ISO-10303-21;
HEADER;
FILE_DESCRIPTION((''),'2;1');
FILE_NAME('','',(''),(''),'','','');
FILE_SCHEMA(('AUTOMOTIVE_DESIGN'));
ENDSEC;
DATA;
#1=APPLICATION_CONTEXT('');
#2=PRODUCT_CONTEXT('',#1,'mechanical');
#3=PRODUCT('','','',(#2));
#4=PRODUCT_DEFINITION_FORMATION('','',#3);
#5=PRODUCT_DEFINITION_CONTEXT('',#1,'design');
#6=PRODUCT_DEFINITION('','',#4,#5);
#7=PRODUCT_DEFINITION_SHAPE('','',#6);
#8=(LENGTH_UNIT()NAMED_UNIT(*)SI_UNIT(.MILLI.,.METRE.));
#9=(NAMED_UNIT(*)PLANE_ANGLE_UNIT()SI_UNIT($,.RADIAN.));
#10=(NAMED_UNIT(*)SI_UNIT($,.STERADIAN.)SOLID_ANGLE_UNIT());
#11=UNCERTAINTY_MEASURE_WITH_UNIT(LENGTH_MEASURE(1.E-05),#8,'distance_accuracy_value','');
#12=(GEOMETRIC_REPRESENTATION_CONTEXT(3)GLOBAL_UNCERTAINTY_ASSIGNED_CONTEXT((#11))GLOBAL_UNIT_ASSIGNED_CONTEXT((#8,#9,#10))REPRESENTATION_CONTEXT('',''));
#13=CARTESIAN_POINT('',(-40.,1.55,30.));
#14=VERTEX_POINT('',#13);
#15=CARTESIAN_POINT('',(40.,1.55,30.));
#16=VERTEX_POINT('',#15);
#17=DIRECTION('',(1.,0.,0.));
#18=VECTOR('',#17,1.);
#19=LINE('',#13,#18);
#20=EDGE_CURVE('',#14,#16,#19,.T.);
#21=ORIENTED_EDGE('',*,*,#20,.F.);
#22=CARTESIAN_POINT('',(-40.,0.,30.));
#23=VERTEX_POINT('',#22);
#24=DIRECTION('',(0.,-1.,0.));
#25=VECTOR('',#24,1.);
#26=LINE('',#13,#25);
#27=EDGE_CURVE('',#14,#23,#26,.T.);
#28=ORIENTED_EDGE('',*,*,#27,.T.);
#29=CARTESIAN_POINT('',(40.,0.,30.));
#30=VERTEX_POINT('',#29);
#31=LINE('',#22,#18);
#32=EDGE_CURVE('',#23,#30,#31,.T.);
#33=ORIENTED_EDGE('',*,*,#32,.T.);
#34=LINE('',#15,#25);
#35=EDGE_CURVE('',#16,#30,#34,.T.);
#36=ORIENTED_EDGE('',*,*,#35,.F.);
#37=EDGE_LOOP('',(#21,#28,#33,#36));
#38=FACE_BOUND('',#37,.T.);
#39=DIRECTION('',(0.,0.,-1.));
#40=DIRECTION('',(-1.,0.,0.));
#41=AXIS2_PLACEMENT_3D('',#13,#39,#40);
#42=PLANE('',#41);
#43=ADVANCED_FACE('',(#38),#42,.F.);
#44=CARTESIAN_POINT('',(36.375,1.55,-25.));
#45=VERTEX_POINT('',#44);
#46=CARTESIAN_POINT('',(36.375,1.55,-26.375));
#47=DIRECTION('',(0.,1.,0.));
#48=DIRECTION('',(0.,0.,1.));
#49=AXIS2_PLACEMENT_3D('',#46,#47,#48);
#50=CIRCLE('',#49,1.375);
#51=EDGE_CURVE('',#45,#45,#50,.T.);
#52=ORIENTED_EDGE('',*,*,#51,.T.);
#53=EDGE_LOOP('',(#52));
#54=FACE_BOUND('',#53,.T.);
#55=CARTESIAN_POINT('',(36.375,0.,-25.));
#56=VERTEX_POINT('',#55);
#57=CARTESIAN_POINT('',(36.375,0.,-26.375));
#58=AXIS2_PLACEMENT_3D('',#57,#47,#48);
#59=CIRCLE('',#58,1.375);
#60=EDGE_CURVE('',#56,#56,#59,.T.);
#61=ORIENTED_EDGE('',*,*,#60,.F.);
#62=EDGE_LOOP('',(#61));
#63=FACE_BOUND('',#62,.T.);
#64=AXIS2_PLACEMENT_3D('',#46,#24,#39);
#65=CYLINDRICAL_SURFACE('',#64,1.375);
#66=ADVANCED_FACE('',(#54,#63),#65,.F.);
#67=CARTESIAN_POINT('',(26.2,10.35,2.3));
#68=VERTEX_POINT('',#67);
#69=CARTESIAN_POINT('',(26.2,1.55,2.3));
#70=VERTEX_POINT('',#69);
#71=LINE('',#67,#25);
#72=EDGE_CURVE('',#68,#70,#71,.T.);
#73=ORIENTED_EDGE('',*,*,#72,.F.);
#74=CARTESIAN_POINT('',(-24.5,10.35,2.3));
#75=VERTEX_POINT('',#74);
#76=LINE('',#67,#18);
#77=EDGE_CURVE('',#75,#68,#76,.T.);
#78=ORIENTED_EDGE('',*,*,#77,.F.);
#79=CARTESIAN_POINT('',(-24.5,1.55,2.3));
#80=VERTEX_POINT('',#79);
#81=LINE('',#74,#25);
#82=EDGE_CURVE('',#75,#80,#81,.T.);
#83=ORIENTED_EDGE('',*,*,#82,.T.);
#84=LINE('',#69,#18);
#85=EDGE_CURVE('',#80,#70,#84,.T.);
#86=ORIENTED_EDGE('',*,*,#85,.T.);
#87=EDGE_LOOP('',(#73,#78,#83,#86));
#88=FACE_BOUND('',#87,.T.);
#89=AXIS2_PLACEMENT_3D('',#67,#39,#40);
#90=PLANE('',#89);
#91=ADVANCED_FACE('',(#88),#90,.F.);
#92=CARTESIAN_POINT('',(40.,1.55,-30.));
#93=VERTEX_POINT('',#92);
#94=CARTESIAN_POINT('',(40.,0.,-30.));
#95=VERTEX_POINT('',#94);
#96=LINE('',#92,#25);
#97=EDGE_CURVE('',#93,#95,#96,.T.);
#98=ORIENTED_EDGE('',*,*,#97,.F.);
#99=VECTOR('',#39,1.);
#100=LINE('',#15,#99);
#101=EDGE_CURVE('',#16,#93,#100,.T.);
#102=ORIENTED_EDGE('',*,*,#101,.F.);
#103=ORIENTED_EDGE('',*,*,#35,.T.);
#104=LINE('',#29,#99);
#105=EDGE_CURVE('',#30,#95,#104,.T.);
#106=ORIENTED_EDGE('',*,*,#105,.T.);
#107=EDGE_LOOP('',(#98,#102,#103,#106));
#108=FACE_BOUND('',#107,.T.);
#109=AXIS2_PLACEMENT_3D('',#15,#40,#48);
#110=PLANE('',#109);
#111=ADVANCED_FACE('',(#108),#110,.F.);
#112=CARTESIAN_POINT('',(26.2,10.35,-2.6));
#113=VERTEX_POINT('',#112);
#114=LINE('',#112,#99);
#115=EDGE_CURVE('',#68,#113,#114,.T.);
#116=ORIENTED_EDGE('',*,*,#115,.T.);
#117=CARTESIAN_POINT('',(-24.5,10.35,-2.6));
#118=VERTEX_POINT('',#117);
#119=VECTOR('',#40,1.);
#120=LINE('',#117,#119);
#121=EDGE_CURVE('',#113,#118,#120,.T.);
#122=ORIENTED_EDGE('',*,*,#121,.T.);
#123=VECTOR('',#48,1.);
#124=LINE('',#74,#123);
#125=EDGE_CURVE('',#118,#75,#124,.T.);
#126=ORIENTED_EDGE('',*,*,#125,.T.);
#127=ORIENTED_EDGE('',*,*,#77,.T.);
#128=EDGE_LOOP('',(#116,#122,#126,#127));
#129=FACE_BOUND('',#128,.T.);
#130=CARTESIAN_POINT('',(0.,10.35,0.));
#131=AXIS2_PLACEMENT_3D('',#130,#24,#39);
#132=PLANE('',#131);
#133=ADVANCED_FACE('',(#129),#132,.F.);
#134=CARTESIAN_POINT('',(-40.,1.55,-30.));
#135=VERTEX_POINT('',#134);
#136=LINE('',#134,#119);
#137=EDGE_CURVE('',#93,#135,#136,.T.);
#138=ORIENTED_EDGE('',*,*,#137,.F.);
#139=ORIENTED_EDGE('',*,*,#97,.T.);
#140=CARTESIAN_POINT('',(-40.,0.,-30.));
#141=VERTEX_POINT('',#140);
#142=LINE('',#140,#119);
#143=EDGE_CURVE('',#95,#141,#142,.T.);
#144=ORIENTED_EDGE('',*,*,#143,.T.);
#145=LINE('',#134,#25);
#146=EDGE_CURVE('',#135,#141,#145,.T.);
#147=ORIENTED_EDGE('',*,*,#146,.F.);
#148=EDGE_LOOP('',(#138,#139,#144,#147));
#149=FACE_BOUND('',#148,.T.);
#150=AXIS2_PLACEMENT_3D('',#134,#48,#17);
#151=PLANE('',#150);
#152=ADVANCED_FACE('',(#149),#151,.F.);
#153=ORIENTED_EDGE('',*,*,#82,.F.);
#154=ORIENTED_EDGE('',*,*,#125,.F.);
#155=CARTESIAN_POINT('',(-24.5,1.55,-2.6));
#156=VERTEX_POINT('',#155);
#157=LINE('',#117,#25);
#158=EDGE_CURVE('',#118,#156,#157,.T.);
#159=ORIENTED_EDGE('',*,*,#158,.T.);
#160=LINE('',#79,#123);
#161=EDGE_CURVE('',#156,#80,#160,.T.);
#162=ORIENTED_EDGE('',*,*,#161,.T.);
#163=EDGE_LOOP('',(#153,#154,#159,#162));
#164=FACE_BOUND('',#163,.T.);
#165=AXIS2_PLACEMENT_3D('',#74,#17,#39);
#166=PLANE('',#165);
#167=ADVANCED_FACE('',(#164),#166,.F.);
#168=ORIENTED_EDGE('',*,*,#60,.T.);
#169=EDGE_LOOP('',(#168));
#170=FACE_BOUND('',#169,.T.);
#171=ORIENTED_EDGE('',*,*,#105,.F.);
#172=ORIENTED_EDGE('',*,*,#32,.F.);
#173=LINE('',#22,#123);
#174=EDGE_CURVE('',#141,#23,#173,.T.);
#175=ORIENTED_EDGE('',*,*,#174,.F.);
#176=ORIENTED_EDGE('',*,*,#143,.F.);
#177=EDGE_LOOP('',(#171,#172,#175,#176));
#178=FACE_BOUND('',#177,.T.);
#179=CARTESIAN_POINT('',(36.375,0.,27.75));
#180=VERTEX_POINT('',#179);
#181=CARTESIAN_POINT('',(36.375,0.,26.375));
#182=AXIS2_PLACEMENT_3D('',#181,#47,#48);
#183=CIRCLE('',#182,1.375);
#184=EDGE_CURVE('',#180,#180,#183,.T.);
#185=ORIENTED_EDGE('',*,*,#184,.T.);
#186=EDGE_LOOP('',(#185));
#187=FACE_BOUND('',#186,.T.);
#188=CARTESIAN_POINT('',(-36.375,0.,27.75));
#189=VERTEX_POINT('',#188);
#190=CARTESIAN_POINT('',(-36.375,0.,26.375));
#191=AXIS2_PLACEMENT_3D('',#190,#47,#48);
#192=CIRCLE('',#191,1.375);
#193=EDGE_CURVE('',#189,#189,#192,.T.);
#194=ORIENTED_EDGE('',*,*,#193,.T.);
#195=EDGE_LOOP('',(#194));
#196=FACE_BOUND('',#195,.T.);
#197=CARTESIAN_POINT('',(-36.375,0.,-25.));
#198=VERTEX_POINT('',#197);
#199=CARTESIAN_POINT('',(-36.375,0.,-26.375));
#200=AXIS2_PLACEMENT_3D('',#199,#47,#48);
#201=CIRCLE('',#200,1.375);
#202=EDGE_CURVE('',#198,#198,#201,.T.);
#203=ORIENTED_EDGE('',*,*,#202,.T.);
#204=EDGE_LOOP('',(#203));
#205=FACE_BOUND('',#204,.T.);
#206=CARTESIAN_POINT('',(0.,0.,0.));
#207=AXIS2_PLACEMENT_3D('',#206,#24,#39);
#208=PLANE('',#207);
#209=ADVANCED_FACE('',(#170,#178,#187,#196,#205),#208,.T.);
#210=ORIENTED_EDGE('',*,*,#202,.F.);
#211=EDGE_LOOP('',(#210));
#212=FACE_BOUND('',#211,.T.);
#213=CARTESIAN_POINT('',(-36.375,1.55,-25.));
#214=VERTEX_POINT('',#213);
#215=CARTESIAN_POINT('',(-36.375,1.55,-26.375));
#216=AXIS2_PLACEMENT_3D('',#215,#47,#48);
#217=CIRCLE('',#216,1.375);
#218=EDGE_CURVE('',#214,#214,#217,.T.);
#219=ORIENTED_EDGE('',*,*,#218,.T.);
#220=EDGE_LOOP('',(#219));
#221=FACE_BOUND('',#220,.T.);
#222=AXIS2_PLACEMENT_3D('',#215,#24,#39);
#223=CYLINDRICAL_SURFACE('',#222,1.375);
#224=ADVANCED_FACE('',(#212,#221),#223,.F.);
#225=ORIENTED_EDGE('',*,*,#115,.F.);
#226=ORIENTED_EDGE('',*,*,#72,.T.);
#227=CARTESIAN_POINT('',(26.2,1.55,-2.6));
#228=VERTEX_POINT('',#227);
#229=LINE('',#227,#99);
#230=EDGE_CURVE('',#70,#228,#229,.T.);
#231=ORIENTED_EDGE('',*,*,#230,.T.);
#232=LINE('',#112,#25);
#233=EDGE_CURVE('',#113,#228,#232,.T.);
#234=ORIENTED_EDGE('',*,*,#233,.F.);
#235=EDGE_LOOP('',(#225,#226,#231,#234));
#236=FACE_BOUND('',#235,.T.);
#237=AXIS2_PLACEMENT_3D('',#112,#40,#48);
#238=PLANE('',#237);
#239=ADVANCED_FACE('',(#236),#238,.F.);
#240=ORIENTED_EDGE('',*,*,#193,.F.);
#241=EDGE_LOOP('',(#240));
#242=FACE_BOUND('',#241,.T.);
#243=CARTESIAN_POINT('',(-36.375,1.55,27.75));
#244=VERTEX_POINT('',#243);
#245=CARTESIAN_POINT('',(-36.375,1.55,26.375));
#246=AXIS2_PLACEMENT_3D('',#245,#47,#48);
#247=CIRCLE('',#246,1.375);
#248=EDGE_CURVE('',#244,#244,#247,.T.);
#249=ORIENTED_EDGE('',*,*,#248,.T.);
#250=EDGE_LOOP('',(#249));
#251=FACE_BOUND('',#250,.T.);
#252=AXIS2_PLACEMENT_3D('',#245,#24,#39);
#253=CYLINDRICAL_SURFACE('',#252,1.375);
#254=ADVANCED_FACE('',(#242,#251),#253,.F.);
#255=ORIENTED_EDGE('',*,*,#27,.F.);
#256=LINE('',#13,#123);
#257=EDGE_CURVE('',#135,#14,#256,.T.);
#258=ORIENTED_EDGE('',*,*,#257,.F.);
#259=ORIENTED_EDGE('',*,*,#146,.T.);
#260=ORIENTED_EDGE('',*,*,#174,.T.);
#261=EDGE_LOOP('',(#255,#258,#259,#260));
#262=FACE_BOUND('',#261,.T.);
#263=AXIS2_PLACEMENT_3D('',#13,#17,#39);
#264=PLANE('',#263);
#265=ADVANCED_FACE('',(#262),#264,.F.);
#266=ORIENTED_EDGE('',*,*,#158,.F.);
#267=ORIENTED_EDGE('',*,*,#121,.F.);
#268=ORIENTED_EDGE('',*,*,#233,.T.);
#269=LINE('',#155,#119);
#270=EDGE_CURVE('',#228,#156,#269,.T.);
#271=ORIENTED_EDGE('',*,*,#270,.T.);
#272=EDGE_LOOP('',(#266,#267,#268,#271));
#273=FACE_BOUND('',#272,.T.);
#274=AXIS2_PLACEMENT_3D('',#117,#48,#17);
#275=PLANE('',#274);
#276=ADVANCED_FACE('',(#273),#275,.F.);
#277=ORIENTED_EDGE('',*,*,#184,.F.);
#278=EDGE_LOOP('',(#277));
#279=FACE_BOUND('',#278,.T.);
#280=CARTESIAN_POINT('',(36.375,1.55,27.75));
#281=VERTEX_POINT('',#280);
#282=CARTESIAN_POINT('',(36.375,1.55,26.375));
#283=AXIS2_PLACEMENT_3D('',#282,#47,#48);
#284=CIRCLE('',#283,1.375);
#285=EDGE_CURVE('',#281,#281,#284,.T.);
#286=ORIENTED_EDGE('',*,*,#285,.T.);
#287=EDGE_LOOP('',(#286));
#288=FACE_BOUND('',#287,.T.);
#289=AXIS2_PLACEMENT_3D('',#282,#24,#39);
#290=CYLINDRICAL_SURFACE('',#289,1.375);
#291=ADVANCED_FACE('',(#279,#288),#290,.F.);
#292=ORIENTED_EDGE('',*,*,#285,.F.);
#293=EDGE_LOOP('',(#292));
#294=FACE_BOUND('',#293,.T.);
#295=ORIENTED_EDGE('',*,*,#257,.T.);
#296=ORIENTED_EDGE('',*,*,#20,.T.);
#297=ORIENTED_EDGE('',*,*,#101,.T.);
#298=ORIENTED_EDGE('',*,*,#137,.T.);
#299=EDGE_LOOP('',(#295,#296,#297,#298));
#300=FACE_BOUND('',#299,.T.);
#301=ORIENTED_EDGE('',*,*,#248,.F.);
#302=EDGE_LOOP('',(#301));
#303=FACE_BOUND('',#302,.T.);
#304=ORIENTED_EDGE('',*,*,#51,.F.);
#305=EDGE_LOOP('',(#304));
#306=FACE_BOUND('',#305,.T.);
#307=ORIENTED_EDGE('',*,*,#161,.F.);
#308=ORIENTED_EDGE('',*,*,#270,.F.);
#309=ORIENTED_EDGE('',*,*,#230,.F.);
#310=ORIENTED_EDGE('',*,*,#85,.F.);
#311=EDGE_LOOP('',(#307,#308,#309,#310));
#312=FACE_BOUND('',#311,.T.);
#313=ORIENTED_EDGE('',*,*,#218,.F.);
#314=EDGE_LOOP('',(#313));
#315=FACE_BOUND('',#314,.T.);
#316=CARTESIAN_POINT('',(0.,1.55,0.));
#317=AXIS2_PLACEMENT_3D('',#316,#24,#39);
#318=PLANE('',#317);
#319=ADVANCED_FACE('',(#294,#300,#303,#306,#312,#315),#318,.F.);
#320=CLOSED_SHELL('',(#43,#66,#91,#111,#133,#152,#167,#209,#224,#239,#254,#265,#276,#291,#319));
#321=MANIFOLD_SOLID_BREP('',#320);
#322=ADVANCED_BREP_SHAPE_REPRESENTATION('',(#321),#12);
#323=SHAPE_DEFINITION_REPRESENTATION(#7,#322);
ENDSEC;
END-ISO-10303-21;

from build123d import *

# Parameters (mm, degrees)
SKETCH1_W           = 80
SKETCH1_H           = 60
SKETCH1_R           = 1.375
BOSS_EXTRUDE1_DEPTH = 1.55
SKETCH2_W           = 50.7
SKETCH2_H           = 4.9
BOSS_EXTRUDE2_DEPTH = 8.8


with BuildPart() as part:
    # Sketch1 → Boss-Extrude1 (new body)
    with BuildSketch(Plane(origin=(0, 0, 0), x_dir=(1, 0, 0), z_dir=(0, 1, 0))):
        Rectangle(SKETCH1_W, SKETCH1_H)
        with Locations((-36.375, 26.375)):
            Circle(SKETCH1_R, mode=Mode.SUBTRACT)
        with Locations((-36.375, -26.375)):
            Circle(SKETCH1_R, mode=Mode.SUBTRACT)
        with Locations((36.375, -26.375)):
            Circle(SKETCH1_R, mode=Mode.SUBTRACT)
        with Locations((36.375, 26.375)):
            Circle(SKETCH1_R, mode=Mode.SUBTRACT)
    extrude(amount=BOSS_EXTRUDE1_DEPTH)

    # Sketch2 → Boss-Extrude2 (add)
    with BuildSketch(Plane(origin=(0, 1.55, 0), x_dir=(1, 0, 0), z_dir=(0, 1, 0))):
        with Locations((0.85, 0.15)):
            Rectangle(SKETCH2_W, SKETCH2_H)
    extrude(amount=BOSS_EXTRUDE2_DEPTH)


solid = part.part
